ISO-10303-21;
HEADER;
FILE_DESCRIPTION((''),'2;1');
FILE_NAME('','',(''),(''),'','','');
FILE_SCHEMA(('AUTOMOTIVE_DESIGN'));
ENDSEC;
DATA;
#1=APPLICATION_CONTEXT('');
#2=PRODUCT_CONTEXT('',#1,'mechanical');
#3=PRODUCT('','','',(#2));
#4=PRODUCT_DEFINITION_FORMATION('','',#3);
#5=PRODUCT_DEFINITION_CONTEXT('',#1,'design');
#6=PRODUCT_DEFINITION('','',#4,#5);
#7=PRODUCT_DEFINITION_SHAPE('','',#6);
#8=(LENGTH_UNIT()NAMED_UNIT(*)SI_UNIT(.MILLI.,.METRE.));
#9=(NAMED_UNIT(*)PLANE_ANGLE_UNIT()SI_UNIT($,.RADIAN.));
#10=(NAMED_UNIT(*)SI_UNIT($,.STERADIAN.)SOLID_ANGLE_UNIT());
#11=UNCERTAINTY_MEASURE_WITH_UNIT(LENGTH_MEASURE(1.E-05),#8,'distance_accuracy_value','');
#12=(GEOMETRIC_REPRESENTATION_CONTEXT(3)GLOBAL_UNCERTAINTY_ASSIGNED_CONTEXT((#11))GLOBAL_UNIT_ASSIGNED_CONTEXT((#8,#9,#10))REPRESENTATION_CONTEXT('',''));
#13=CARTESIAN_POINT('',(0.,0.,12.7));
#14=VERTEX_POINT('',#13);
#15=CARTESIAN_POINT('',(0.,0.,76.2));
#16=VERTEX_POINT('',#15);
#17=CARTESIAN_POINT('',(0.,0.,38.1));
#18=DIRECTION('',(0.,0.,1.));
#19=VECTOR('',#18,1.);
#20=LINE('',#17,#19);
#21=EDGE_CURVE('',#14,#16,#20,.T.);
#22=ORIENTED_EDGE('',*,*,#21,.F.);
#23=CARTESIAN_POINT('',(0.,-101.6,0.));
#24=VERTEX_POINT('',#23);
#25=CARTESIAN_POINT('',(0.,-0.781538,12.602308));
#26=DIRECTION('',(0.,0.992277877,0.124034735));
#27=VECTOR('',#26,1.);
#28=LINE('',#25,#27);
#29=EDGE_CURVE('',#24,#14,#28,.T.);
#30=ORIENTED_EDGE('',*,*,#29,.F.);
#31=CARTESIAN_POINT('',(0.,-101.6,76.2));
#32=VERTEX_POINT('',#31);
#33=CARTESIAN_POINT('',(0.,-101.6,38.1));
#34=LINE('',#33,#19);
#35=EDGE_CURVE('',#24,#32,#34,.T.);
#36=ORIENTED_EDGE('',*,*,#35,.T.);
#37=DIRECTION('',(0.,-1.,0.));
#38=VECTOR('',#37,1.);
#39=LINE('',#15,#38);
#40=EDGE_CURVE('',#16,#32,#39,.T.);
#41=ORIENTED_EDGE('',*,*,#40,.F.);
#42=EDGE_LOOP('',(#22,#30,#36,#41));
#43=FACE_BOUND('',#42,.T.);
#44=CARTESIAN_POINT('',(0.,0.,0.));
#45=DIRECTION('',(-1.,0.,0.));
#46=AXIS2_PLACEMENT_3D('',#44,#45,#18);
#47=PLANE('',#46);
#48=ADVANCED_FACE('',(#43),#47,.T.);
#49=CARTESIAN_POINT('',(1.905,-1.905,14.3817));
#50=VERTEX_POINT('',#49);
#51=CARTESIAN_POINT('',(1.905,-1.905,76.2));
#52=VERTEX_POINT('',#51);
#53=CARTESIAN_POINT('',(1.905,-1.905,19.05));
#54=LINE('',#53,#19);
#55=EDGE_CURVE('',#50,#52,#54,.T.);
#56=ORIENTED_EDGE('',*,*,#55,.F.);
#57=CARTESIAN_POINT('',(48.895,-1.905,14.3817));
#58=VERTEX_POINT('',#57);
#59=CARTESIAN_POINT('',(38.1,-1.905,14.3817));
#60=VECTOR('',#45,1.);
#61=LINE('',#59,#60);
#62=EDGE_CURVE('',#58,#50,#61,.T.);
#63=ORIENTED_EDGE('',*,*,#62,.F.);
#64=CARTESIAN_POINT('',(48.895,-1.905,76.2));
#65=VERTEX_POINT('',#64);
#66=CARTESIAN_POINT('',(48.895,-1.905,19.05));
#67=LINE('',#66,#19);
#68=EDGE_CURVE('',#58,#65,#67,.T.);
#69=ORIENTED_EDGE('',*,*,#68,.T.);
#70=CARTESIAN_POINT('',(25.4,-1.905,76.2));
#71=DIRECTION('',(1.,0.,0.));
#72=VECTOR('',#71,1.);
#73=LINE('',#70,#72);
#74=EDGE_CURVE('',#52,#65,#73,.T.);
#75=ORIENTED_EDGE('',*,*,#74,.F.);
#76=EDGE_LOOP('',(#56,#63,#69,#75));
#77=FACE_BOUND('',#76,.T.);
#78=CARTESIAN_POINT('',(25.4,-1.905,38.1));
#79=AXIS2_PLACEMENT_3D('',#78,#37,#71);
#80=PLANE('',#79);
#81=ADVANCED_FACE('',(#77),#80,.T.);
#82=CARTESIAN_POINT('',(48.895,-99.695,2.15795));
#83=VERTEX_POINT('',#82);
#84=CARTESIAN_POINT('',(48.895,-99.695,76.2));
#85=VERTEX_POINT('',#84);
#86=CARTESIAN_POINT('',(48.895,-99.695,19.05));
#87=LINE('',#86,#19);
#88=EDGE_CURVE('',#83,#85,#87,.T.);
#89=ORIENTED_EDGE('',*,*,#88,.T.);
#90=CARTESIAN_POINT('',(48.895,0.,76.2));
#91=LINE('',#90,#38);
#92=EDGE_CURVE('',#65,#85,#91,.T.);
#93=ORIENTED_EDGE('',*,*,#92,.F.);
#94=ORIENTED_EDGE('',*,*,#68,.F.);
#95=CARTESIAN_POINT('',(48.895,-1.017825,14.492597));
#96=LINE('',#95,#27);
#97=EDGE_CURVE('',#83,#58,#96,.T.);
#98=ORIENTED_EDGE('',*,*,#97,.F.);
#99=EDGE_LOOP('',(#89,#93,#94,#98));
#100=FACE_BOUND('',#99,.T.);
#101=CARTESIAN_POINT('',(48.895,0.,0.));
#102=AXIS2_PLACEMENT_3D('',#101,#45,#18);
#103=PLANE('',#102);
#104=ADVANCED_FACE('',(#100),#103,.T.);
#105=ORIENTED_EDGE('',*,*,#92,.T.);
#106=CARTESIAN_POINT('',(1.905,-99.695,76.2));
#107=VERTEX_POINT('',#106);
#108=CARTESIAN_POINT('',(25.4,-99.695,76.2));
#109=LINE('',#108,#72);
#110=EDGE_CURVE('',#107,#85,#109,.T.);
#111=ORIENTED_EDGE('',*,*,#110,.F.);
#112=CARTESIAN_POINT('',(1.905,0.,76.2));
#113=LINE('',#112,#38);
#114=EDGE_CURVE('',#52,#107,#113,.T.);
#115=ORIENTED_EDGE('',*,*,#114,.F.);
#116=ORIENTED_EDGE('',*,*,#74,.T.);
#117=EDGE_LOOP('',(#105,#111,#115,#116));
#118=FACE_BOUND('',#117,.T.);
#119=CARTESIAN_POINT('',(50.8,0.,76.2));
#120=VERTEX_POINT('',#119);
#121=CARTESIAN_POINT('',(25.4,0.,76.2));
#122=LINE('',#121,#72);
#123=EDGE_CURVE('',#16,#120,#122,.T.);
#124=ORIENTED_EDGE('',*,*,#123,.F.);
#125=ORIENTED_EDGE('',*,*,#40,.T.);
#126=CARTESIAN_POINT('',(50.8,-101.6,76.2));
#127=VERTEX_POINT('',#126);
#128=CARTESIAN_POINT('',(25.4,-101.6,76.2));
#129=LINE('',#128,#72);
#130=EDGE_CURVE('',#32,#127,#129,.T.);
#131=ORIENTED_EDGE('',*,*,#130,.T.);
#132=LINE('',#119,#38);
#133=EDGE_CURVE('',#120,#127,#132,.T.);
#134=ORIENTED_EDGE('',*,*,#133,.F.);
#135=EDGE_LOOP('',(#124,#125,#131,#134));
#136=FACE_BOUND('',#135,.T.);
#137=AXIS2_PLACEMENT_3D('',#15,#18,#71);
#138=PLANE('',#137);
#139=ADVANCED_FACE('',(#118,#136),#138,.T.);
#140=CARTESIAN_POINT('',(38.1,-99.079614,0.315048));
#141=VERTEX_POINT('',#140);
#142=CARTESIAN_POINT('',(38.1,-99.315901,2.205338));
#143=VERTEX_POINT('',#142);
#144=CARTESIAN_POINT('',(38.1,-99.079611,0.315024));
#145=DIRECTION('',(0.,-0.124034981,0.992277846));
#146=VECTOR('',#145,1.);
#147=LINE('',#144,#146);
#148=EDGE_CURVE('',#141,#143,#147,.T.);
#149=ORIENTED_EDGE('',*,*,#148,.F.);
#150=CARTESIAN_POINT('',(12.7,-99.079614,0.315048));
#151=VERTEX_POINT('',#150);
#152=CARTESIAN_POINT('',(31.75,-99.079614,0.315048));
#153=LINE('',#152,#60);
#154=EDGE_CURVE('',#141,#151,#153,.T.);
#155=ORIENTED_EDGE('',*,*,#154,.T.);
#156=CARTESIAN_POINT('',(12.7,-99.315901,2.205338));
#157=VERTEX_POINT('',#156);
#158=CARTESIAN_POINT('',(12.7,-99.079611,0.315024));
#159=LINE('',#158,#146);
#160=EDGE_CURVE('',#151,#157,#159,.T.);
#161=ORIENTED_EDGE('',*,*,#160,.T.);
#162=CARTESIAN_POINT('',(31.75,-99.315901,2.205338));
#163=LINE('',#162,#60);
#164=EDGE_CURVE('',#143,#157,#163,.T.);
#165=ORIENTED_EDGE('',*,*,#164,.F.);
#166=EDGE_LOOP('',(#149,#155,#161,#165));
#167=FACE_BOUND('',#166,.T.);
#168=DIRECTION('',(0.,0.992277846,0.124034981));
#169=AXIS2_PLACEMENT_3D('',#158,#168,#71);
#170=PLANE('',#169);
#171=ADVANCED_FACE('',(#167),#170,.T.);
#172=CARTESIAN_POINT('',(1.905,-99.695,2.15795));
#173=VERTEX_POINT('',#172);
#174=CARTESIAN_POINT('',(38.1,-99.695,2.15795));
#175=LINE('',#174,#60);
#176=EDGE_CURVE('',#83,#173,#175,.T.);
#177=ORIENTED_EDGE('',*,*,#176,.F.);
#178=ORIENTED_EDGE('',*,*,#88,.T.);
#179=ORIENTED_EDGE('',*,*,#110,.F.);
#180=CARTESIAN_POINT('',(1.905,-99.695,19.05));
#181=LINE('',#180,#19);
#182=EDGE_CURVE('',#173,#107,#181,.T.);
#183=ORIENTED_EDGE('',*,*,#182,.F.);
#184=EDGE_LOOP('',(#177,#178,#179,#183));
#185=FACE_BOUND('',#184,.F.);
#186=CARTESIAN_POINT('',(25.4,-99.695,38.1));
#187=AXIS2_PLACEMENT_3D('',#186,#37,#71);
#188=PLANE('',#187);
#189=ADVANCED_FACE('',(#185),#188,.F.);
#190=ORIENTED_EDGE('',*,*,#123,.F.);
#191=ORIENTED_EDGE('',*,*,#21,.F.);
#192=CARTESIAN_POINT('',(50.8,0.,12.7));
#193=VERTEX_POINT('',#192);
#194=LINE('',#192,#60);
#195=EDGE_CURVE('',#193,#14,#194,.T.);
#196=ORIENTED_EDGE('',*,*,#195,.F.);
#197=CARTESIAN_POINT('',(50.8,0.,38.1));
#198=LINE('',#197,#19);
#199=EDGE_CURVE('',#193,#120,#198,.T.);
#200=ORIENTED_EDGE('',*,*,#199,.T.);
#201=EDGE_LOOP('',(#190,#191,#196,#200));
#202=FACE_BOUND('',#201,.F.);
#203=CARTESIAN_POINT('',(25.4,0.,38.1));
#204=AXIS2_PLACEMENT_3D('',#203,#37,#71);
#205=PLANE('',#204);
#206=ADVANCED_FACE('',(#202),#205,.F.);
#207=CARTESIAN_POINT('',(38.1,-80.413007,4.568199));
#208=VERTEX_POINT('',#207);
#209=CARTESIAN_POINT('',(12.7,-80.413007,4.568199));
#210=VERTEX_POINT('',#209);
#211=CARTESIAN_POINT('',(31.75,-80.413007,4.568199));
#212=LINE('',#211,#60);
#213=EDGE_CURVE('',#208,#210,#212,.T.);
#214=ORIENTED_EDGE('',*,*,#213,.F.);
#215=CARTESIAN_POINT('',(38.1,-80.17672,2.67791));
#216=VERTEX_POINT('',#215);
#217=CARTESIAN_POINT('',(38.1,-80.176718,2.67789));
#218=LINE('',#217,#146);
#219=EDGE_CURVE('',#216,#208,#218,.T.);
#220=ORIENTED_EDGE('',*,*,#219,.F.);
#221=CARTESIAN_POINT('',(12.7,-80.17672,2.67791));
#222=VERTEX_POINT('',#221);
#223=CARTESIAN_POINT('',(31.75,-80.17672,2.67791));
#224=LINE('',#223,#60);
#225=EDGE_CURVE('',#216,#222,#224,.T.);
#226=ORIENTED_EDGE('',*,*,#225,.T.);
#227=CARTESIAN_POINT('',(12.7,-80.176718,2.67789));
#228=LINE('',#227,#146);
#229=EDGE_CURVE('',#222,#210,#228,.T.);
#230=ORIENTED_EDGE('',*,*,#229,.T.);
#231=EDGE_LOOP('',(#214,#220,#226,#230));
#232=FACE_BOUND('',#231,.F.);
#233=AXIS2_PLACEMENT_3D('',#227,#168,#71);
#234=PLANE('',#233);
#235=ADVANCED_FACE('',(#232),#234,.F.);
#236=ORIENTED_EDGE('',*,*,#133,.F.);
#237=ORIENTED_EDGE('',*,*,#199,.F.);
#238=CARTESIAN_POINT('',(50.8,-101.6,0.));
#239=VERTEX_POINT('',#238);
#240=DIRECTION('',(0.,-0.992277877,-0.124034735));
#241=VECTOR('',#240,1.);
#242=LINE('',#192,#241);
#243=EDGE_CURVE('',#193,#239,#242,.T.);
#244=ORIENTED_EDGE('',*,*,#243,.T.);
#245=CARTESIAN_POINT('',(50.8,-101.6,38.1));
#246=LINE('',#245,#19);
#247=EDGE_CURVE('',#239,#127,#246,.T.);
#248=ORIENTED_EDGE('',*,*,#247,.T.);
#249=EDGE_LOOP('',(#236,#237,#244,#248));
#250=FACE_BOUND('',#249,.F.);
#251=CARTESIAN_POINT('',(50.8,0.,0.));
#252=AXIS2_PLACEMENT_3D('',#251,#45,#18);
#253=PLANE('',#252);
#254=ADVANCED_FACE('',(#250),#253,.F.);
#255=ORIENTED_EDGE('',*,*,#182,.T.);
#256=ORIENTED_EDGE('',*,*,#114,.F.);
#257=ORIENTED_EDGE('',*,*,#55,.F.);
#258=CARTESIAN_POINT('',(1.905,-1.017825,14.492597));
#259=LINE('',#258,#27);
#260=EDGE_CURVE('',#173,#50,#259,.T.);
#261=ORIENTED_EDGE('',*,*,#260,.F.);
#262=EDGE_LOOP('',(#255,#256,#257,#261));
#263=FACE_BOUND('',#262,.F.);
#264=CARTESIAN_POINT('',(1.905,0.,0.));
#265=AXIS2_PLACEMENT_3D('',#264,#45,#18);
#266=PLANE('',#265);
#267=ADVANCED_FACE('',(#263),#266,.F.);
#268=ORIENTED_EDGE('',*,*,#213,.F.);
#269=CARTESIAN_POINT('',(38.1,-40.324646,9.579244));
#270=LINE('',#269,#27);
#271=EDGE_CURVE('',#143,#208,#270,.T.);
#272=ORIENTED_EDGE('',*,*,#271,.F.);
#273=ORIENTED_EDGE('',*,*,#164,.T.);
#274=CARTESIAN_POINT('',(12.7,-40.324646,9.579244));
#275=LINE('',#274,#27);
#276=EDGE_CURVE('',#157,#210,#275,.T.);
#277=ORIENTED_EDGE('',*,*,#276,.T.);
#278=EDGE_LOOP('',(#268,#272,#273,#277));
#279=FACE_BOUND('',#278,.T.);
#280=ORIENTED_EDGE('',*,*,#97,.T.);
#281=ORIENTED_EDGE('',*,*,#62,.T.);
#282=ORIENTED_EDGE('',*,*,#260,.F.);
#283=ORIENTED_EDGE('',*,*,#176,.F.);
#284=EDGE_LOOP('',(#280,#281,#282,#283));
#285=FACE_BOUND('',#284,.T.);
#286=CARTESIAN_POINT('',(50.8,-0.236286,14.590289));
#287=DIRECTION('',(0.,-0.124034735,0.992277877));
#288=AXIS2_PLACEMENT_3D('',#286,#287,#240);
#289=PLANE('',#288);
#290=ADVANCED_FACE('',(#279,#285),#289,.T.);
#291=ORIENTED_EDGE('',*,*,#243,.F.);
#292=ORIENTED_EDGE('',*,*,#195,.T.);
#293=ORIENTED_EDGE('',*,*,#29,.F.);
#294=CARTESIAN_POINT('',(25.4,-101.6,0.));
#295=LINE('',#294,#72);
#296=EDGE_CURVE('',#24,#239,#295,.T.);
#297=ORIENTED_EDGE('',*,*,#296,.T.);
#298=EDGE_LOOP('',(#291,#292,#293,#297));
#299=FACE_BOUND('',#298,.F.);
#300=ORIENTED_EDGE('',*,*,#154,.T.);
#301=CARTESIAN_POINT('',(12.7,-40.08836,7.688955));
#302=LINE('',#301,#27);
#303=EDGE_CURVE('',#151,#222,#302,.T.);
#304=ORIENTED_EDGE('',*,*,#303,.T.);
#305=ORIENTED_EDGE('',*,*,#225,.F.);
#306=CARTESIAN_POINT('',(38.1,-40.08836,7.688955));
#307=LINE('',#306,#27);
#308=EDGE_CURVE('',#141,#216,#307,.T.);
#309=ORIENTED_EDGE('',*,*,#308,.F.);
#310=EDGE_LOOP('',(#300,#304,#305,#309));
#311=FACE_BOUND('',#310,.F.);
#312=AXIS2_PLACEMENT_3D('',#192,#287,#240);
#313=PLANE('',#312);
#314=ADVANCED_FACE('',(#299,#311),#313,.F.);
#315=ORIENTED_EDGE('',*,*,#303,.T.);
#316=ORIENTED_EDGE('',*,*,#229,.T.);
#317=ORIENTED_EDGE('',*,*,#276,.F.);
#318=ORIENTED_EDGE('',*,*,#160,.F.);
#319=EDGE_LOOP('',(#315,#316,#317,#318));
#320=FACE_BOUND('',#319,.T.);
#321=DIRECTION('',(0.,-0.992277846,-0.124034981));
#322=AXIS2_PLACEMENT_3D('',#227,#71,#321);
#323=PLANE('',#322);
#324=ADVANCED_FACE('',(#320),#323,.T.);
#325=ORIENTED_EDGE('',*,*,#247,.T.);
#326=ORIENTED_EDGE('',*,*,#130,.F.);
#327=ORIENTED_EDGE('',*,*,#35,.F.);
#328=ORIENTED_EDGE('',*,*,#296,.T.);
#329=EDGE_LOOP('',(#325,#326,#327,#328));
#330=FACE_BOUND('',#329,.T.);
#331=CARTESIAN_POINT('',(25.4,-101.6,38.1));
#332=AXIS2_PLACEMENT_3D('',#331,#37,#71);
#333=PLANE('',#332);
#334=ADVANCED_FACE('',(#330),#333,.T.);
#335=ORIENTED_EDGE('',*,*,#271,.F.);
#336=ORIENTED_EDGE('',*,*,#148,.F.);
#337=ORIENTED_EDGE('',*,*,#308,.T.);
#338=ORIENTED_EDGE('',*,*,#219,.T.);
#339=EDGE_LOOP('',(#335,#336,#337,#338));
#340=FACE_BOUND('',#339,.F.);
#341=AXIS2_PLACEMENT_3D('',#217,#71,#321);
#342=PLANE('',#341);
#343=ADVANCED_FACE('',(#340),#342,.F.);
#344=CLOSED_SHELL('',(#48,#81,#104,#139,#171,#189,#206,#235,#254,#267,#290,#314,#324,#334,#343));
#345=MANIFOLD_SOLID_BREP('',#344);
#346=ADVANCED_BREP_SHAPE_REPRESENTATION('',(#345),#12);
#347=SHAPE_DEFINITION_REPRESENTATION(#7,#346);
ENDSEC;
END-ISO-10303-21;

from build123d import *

# Parameters (mm, degrees)
F0_W     = 50.8
F0_H     = 76.2
F1_DEPTH = 101.6
F3_DEPTH = 50.801
F4_T     = -1.905
F5_W     = 25.4
F5_H     = 19.05
F6_DEPTH = 3.048


with BuildPart() as f1:
    # F0 (on Front) → F1 (new body)
    with BuildSketch(Plane.XZ):
        with Locations((25.4, 38.1)):
            Rectangle(F0_W, F0_H)
    extrude(amount=F1_DEPTH)

    # F2 (on face) → F3 (cut, through all)
    with BuildSketch(Plane.YZ.offset(50.8)):
        Polygon((-101.6, 0), (0, 0), (0, 12.7), align=None)
    extrude(amount=-F3_DEPTH, mode=Mode.SUBTRACT)

    # F4
    f4_openings = [f1.faces().sort_by_distance(p)[0] for p in [
        (25.4, -50.8, 76.2),
    ]]
    offset(amount=F4_T, openings=f4_openings)

    # F5 (on face) → F6 (cut)
    with BuildSketch(Plane(origin=(0, -1.563077, 12.504615), x_dir=(1, 0, 0), z_dir=(0, 0.124035, -0.992278))):
        with Locations((25.4, 88.750432)):
            Rectangle(F5_W, F5_H)
    extrude(amount=-F6_DEPTH, mode=Mode.SUBTRACT)


solid = f1.part
